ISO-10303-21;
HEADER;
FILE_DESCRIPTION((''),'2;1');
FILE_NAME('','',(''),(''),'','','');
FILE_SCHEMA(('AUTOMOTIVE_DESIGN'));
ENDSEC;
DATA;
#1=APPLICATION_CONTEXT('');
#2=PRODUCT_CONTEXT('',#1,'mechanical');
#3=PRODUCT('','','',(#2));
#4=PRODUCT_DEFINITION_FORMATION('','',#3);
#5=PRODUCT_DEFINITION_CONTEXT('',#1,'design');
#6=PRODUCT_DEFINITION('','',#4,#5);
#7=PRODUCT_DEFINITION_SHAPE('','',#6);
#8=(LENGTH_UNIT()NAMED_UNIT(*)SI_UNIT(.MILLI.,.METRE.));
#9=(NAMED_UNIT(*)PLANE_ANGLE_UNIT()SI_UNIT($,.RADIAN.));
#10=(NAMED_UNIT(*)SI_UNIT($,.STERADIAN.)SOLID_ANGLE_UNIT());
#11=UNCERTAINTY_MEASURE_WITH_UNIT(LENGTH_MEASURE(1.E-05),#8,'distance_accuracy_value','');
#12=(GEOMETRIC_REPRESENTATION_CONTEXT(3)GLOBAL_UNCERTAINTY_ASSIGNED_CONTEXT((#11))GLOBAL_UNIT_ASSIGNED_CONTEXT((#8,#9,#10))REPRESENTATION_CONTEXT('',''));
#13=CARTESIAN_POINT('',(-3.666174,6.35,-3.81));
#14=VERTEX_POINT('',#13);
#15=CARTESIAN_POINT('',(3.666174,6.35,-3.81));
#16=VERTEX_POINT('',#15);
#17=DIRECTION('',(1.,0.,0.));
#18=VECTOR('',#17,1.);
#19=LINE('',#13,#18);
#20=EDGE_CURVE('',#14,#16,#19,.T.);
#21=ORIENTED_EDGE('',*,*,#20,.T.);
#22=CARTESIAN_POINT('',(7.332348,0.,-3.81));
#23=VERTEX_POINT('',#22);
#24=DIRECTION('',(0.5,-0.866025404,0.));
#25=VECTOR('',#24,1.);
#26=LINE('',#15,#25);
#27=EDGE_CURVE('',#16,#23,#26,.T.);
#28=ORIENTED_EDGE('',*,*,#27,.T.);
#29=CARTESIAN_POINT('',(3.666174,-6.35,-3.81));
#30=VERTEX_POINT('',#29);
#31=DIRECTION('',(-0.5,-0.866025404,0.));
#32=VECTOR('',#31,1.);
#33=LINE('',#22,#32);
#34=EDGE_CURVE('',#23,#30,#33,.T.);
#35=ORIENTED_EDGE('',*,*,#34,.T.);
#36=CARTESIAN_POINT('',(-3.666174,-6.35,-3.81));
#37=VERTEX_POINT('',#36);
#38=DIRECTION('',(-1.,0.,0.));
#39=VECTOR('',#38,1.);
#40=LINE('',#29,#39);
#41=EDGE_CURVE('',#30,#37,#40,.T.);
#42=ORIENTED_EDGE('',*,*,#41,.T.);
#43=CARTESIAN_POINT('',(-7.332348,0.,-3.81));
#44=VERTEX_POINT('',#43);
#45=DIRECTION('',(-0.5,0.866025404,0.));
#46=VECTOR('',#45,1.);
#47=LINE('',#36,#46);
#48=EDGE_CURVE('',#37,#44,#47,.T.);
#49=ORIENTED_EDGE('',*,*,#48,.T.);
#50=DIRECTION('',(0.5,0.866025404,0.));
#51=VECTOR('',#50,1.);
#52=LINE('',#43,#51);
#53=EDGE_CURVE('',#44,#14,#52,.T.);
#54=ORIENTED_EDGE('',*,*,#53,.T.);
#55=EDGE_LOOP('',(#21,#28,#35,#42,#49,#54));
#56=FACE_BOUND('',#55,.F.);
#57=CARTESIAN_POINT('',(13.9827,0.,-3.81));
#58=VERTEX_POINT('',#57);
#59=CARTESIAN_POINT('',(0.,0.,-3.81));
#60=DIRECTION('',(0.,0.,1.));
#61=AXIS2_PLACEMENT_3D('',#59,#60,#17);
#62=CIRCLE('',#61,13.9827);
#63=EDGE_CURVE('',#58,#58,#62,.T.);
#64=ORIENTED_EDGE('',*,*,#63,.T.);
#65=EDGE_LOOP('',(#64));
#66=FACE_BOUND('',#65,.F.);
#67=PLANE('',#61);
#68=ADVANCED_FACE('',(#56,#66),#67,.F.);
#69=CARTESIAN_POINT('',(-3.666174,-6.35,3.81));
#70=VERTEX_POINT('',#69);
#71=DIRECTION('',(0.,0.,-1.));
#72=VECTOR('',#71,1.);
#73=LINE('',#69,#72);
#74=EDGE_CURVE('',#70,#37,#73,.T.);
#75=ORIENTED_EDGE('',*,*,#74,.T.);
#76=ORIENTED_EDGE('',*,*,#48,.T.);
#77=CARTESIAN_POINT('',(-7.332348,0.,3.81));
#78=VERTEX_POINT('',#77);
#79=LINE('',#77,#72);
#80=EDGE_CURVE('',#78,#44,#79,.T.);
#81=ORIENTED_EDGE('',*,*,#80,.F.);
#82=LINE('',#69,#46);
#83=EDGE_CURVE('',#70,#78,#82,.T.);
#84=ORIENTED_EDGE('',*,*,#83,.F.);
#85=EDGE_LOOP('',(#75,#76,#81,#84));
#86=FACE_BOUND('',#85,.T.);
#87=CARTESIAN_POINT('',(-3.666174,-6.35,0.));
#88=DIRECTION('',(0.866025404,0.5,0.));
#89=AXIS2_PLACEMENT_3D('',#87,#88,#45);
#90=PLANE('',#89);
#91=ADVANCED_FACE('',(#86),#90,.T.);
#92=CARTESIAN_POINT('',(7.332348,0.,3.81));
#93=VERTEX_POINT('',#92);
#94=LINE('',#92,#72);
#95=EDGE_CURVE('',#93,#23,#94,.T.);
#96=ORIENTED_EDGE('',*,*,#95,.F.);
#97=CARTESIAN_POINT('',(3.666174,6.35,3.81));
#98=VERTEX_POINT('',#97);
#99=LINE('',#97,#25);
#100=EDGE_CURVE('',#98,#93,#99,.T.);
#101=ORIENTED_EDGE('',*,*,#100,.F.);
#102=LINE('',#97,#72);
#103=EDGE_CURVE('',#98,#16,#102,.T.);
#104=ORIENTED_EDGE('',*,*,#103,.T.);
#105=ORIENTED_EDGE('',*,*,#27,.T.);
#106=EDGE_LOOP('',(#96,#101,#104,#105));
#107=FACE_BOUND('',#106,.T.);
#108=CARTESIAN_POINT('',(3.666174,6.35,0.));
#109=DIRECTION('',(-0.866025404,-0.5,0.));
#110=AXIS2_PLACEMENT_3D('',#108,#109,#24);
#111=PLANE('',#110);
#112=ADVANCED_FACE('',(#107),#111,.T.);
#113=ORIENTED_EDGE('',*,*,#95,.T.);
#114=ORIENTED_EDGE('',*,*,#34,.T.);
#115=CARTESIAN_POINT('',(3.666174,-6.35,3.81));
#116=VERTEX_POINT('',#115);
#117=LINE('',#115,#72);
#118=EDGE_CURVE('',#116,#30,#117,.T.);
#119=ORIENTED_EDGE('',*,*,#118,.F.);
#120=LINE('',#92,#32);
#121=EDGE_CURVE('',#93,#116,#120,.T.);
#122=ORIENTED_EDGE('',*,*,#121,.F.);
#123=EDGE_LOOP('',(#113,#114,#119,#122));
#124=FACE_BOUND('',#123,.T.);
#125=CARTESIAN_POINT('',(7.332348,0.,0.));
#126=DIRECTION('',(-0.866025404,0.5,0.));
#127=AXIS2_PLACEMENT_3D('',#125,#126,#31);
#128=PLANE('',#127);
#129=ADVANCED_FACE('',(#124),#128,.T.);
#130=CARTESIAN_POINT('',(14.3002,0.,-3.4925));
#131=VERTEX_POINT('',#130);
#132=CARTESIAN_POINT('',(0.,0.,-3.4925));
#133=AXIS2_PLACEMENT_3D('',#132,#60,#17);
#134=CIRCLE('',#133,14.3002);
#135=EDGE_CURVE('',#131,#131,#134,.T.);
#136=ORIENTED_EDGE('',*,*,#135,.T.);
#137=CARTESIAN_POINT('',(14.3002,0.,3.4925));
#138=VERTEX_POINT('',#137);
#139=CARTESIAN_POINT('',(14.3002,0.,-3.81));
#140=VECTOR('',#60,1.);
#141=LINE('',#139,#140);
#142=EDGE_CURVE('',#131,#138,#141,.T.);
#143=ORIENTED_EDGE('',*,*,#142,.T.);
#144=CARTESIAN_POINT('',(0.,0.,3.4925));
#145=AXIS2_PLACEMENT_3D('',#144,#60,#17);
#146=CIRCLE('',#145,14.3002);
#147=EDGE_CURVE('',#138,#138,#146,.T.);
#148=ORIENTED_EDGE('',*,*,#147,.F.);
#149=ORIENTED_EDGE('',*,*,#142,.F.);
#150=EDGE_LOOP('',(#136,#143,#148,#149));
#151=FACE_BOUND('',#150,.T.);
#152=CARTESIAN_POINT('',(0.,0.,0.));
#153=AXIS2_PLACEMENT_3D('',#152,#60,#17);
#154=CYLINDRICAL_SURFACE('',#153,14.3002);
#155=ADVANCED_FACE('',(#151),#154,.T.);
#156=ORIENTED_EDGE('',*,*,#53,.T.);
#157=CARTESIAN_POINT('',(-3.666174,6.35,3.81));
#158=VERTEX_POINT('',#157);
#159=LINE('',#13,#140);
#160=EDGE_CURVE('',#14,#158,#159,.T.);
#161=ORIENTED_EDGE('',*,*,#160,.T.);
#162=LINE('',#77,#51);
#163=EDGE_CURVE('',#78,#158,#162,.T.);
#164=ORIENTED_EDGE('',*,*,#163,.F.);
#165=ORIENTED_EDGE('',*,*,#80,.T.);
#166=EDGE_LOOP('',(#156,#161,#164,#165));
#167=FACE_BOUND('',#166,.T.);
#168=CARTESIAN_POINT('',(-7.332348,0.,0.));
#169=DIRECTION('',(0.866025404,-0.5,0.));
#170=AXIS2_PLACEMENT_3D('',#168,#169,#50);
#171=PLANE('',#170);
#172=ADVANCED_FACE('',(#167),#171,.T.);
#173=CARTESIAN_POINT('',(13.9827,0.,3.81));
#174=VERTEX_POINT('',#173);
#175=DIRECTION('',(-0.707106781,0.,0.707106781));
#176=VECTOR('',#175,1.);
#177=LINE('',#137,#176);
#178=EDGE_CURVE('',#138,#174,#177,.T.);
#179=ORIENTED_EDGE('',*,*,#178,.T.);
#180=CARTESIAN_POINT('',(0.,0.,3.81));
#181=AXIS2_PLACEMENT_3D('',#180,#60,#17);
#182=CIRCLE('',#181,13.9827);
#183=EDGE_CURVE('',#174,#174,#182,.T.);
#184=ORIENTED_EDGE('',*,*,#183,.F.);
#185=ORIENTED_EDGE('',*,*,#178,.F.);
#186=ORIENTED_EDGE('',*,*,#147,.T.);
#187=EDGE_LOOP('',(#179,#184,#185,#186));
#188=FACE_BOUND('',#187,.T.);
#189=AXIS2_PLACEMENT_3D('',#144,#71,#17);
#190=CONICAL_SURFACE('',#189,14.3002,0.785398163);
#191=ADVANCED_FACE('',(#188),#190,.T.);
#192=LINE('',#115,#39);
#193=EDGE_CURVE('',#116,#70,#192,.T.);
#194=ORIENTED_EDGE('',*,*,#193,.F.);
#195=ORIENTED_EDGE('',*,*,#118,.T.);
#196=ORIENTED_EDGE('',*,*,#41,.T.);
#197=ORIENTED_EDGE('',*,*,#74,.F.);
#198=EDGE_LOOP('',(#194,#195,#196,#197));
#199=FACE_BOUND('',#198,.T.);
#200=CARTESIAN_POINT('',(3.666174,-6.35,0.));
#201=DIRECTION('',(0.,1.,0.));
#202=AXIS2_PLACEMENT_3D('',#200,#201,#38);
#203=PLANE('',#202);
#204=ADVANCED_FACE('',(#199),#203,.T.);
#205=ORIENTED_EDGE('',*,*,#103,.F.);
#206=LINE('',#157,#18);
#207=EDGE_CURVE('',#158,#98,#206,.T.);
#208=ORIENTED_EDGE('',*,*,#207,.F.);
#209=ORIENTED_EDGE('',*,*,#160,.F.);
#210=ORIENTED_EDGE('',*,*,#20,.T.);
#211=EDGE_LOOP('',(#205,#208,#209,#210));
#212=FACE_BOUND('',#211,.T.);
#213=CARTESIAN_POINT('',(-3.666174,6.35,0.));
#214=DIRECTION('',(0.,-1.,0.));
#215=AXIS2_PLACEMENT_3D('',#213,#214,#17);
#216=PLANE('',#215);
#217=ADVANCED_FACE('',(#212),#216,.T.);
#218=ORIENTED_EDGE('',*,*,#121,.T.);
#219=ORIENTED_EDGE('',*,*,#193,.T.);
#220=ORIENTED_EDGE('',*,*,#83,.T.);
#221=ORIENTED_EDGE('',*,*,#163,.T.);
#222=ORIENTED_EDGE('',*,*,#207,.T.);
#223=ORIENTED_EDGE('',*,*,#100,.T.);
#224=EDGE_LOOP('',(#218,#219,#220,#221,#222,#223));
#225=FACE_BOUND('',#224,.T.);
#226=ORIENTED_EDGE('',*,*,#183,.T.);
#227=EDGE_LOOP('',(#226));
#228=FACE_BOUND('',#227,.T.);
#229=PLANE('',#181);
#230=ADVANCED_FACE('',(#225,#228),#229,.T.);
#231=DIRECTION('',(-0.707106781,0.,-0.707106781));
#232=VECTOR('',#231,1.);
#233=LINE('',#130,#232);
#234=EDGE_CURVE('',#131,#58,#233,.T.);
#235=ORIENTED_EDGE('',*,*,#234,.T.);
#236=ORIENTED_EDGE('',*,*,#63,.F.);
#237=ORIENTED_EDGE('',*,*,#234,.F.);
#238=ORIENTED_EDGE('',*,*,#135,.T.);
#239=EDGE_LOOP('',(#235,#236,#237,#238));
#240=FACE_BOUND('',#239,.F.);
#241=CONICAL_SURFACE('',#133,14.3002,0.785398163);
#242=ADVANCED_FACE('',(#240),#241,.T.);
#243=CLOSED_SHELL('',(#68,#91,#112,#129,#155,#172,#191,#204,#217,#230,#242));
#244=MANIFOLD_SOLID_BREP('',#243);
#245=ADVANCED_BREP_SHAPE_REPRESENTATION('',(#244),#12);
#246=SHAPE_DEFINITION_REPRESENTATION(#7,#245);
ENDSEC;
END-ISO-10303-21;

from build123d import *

# Parameters (mm, degrees)
F0_R     = 14.3002
F1_DEPTH = 3.81
F2_SIZE  = 0.3175


with BuildPart() as f1:
    # F0 (on Top) → F1 (new body, symmetric)
    with BuildSketch(Plane.XY):
        Circle(F0_R)
        Polygon((-3.6661742094, 6.35), (3.6661742094, 6.35), (7.3323484187, 0), (3.6661742094, -6.35), (-3.6661742094, -6.35), (-7.3323484187, 0), align=None, mode=Mode.SUBTRACT)
    extrude(amount=F1_DEPTH, both=True)

    # F2
    f2_edges = [f1.edges().sort_by_distance(p)[0] for p in [
        (-14.3002, 0, 3.81),
        (-14.3002, 0, -3.81),
    ]]
    chamfer(f2_edges, length=F2_SIZE)


solid = f1.part
